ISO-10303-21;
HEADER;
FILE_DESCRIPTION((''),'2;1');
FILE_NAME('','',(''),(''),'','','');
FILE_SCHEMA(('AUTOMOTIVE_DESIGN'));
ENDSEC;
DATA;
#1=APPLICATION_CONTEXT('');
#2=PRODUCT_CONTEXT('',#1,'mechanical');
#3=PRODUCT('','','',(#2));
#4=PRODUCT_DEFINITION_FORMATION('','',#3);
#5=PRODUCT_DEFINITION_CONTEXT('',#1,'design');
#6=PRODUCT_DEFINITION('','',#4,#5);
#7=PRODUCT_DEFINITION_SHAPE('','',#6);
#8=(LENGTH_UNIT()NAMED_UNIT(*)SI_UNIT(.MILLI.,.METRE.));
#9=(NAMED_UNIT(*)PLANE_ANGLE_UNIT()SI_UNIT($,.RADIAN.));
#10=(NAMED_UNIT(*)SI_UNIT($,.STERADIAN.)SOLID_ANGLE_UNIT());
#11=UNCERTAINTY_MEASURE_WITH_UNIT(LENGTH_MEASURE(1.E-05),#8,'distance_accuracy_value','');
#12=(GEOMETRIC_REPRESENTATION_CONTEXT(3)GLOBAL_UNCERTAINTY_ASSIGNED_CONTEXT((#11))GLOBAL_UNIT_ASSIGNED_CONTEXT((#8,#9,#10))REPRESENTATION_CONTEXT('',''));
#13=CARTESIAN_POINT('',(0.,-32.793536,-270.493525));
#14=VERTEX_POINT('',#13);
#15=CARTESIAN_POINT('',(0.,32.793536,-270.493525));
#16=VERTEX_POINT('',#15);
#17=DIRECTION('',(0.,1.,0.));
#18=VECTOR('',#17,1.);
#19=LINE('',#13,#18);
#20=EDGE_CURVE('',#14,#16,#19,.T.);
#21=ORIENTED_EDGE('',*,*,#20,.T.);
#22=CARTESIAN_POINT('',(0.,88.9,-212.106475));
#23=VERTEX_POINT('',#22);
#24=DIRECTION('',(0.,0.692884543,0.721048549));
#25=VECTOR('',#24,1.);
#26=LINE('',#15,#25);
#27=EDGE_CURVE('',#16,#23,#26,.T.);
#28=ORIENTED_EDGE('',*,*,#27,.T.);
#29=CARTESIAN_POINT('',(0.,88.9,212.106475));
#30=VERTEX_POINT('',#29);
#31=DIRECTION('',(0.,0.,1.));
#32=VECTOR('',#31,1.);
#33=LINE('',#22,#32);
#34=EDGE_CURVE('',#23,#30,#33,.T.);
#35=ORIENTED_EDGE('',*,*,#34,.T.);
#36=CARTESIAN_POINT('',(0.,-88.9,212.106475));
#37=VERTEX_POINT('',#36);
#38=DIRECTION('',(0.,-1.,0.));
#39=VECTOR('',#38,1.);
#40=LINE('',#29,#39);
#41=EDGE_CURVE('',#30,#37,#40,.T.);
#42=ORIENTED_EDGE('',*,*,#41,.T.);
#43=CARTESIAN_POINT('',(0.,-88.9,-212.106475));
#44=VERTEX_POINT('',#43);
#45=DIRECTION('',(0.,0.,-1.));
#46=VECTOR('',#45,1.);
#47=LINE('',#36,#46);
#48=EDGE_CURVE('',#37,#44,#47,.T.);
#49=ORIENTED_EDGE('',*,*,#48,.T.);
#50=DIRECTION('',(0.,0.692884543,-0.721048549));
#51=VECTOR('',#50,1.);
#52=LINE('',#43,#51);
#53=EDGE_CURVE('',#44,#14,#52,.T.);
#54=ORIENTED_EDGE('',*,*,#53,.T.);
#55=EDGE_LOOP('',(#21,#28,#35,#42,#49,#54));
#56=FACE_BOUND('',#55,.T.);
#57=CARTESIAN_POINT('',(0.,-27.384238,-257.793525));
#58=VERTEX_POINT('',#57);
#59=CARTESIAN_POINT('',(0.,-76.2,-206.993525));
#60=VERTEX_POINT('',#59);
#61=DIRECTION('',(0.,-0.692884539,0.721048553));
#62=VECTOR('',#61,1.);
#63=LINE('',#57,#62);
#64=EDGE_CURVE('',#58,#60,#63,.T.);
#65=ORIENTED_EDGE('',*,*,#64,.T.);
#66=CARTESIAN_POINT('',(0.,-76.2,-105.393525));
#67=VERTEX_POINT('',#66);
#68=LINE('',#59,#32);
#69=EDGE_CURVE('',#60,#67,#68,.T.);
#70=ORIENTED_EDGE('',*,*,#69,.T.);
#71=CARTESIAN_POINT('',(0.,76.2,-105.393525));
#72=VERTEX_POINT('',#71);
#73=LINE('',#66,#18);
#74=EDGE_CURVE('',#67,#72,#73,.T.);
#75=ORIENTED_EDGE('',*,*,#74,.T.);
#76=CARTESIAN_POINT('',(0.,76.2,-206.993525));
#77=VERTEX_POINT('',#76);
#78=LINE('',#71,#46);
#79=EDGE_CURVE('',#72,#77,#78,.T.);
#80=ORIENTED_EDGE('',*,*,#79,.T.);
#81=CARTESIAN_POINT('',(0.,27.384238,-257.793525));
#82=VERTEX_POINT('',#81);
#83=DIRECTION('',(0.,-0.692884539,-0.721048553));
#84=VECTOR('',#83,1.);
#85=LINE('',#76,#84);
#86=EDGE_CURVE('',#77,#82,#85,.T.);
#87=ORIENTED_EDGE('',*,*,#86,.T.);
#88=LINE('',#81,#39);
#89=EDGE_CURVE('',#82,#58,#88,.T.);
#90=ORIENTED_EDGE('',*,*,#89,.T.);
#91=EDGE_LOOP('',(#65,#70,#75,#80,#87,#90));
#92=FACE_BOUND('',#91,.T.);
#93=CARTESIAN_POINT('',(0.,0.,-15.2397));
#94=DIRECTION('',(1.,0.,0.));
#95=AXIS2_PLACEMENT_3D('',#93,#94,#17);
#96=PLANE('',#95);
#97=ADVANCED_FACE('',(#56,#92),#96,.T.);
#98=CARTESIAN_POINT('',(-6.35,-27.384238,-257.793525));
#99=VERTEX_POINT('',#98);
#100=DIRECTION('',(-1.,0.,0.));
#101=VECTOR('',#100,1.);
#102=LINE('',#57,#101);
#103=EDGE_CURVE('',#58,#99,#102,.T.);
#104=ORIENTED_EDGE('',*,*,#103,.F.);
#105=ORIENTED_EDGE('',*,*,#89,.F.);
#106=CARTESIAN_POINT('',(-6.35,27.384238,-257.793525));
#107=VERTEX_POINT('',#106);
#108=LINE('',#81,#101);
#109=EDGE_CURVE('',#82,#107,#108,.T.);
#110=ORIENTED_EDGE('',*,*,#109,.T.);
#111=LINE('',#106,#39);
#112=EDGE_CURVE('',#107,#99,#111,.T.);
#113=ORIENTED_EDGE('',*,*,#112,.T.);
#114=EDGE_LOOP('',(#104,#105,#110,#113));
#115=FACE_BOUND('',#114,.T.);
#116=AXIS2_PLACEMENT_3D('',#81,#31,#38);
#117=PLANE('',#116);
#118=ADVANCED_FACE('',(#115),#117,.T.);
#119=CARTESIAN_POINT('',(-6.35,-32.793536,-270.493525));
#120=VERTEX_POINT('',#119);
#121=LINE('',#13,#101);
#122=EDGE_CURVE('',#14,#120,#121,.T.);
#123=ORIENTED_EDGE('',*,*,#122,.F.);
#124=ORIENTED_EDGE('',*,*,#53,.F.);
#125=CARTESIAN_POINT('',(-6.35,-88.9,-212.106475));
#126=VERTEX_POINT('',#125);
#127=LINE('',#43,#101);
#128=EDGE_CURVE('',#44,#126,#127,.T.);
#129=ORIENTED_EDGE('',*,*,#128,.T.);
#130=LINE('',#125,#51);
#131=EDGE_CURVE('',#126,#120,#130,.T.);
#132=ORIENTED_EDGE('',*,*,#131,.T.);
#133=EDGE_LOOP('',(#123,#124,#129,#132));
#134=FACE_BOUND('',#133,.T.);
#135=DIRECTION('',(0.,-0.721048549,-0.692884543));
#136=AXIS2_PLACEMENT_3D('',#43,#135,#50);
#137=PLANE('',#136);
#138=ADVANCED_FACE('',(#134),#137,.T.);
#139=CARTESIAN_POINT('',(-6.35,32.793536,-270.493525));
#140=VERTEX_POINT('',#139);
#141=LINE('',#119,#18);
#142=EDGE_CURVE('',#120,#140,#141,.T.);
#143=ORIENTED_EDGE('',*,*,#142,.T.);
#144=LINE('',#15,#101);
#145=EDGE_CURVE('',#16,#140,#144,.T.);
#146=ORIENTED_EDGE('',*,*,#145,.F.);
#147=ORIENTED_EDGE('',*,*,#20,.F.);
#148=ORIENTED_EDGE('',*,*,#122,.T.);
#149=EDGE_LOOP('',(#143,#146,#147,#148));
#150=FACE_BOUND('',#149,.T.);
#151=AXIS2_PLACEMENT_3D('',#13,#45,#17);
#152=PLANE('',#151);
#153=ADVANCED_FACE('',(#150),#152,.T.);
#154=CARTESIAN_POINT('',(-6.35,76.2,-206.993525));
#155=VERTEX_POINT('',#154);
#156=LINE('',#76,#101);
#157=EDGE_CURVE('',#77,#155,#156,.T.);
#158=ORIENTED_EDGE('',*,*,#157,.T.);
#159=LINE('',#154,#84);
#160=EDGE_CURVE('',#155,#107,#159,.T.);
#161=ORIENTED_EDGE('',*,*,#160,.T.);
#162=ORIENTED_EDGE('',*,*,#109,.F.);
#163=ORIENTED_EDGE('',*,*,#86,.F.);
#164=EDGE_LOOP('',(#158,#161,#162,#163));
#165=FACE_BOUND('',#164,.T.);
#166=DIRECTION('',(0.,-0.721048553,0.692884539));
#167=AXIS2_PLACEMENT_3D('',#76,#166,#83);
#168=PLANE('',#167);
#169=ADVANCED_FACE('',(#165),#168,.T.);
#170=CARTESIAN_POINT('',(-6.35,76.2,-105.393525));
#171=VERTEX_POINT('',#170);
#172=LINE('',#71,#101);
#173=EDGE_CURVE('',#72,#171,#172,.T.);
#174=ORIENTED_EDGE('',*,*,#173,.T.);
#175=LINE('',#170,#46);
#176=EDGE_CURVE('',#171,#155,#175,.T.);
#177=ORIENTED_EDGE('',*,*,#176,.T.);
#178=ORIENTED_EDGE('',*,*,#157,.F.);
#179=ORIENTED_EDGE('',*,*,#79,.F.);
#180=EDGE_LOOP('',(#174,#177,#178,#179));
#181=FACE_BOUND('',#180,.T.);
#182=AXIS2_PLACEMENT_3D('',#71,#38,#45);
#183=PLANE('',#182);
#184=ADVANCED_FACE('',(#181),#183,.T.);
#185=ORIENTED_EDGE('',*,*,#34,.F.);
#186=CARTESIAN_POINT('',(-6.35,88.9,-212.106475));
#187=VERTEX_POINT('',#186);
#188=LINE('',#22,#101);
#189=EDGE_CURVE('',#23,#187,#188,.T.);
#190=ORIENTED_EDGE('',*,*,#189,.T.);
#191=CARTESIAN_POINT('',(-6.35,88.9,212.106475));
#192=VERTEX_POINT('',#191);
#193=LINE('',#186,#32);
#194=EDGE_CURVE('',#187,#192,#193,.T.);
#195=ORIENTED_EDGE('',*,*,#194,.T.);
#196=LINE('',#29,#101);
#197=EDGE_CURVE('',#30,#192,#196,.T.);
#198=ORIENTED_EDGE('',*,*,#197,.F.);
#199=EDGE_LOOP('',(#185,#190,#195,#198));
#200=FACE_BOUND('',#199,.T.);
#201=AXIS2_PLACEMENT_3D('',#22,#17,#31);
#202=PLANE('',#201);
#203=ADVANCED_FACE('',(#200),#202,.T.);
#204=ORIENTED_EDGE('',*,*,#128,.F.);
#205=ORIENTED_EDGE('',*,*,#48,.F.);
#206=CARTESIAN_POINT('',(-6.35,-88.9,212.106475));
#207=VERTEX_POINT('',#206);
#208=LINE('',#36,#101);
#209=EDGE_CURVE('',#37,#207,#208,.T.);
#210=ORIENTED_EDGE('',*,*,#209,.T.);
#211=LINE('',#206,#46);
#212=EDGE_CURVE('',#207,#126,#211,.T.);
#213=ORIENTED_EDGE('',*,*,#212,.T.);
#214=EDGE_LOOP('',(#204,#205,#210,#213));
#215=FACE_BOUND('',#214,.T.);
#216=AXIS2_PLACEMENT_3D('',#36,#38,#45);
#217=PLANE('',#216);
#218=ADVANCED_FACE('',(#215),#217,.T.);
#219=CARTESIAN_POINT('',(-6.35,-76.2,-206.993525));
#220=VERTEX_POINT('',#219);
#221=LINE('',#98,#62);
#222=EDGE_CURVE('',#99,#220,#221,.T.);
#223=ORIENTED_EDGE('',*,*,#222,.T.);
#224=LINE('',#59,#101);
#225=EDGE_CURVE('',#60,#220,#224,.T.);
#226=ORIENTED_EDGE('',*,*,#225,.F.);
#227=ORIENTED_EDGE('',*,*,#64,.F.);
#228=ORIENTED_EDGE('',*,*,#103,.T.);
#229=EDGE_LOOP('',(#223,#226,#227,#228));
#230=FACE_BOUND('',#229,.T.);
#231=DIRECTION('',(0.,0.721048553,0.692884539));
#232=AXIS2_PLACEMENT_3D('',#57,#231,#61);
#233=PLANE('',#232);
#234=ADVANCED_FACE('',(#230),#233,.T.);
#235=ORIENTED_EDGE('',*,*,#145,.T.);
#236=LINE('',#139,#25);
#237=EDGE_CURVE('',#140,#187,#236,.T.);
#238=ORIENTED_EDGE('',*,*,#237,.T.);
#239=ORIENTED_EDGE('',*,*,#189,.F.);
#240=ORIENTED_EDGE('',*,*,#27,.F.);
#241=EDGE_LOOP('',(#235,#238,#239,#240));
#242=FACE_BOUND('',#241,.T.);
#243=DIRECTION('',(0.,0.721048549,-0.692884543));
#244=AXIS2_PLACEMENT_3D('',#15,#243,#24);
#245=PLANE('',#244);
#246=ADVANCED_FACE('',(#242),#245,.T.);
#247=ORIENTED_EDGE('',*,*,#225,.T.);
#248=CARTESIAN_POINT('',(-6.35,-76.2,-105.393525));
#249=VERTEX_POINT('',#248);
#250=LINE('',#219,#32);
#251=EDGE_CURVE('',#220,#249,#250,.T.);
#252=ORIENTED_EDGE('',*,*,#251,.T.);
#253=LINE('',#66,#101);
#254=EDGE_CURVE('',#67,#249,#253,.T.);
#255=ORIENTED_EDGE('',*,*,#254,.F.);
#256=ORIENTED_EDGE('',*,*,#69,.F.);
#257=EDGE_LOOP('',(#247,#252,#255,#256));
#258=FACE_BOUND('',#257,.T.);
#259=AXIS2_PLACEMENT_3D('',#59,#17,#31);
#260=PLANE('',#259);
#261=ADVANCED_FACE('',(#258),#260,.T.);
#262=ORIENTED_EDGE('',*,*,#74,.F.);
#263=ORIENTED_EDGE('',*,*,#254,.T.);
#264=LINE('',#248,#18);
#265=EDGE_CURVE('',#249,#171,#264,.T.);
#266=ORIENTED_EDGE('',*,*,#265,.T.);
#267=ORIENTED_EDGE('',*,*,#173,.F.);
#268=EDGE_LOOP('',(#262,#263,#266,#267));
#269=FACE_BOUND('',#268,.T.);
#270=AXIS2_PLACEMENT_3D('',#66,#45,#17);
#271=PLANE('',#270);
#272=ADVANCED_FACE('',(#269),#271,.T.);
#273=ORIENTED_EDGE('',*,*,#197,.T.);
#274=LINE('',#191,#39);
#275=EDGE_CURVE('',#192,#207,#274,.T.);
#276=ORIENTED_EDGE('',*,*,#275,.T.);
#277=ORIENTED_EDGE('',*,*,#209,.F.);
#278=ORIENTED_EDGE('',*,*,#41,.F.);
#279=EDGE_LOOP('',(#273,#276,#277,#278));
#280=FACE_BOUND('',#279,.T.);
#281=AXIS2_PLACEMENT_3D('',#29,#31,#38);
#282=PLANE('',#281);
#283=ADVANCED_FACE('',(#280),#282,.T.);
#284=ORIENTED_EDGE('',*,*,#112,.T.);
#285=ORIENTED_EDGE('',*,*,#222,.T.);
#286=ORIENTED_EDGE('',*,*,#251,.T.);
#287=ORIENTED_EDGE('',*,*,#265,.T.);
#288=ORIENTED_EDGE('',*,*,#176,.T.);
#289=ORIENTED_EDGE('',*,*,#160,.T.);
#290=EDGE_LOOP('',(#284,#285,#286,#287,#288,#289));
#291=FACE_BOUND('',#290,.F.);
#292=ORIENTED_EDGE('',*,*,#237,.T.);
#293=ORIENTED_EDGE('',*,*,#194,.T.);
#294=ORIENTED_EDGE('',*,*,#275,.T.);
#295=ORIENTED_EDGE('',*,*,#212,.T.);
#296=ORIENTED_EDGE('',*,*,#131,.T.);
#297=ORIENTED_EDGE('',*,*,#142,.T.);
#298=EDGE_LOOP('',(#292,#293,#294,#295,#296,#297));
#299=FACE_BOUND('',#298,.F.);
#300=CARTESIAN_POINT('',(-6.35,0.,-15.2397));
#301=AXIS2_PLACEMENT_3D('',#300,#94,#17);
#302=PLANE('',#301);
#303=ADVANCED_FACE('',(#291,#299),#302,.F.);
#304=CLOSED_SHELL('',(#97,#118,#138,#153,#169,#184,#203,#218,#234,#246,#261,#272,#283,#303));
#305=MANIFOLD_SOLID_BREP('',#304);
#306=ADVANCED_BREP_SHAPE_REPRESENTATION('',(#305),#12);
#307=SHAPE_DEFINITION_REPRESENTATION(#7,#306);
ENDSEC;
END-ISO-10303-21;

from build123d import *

# Parameters (mm, degrees)
F1_DEPTH = 6.35


with BuildPart() as f1:
    # F0 (on Right) → F1 (new body)
    with BuildSketch(Plane.YZ):
        Polygon((88.9, -212.106475), (88.9, 212.106475), (-88.9, 212.106475), (-88.9, -212.106475), (-32.793536, -270.493525), (32.793536, -270.493525), align=None)
        Polygon((-76.2, -206.993525), (-76.2, -105.393525), (76.2, -105.393525), (76.2, -206.993525), (27.384238, -257.793525), (-27.384238, -257.793525), align=None, mode=Mode.SUBTRACT)
    extrude(amount=-F1_DEPTH)


solid = f1.part
